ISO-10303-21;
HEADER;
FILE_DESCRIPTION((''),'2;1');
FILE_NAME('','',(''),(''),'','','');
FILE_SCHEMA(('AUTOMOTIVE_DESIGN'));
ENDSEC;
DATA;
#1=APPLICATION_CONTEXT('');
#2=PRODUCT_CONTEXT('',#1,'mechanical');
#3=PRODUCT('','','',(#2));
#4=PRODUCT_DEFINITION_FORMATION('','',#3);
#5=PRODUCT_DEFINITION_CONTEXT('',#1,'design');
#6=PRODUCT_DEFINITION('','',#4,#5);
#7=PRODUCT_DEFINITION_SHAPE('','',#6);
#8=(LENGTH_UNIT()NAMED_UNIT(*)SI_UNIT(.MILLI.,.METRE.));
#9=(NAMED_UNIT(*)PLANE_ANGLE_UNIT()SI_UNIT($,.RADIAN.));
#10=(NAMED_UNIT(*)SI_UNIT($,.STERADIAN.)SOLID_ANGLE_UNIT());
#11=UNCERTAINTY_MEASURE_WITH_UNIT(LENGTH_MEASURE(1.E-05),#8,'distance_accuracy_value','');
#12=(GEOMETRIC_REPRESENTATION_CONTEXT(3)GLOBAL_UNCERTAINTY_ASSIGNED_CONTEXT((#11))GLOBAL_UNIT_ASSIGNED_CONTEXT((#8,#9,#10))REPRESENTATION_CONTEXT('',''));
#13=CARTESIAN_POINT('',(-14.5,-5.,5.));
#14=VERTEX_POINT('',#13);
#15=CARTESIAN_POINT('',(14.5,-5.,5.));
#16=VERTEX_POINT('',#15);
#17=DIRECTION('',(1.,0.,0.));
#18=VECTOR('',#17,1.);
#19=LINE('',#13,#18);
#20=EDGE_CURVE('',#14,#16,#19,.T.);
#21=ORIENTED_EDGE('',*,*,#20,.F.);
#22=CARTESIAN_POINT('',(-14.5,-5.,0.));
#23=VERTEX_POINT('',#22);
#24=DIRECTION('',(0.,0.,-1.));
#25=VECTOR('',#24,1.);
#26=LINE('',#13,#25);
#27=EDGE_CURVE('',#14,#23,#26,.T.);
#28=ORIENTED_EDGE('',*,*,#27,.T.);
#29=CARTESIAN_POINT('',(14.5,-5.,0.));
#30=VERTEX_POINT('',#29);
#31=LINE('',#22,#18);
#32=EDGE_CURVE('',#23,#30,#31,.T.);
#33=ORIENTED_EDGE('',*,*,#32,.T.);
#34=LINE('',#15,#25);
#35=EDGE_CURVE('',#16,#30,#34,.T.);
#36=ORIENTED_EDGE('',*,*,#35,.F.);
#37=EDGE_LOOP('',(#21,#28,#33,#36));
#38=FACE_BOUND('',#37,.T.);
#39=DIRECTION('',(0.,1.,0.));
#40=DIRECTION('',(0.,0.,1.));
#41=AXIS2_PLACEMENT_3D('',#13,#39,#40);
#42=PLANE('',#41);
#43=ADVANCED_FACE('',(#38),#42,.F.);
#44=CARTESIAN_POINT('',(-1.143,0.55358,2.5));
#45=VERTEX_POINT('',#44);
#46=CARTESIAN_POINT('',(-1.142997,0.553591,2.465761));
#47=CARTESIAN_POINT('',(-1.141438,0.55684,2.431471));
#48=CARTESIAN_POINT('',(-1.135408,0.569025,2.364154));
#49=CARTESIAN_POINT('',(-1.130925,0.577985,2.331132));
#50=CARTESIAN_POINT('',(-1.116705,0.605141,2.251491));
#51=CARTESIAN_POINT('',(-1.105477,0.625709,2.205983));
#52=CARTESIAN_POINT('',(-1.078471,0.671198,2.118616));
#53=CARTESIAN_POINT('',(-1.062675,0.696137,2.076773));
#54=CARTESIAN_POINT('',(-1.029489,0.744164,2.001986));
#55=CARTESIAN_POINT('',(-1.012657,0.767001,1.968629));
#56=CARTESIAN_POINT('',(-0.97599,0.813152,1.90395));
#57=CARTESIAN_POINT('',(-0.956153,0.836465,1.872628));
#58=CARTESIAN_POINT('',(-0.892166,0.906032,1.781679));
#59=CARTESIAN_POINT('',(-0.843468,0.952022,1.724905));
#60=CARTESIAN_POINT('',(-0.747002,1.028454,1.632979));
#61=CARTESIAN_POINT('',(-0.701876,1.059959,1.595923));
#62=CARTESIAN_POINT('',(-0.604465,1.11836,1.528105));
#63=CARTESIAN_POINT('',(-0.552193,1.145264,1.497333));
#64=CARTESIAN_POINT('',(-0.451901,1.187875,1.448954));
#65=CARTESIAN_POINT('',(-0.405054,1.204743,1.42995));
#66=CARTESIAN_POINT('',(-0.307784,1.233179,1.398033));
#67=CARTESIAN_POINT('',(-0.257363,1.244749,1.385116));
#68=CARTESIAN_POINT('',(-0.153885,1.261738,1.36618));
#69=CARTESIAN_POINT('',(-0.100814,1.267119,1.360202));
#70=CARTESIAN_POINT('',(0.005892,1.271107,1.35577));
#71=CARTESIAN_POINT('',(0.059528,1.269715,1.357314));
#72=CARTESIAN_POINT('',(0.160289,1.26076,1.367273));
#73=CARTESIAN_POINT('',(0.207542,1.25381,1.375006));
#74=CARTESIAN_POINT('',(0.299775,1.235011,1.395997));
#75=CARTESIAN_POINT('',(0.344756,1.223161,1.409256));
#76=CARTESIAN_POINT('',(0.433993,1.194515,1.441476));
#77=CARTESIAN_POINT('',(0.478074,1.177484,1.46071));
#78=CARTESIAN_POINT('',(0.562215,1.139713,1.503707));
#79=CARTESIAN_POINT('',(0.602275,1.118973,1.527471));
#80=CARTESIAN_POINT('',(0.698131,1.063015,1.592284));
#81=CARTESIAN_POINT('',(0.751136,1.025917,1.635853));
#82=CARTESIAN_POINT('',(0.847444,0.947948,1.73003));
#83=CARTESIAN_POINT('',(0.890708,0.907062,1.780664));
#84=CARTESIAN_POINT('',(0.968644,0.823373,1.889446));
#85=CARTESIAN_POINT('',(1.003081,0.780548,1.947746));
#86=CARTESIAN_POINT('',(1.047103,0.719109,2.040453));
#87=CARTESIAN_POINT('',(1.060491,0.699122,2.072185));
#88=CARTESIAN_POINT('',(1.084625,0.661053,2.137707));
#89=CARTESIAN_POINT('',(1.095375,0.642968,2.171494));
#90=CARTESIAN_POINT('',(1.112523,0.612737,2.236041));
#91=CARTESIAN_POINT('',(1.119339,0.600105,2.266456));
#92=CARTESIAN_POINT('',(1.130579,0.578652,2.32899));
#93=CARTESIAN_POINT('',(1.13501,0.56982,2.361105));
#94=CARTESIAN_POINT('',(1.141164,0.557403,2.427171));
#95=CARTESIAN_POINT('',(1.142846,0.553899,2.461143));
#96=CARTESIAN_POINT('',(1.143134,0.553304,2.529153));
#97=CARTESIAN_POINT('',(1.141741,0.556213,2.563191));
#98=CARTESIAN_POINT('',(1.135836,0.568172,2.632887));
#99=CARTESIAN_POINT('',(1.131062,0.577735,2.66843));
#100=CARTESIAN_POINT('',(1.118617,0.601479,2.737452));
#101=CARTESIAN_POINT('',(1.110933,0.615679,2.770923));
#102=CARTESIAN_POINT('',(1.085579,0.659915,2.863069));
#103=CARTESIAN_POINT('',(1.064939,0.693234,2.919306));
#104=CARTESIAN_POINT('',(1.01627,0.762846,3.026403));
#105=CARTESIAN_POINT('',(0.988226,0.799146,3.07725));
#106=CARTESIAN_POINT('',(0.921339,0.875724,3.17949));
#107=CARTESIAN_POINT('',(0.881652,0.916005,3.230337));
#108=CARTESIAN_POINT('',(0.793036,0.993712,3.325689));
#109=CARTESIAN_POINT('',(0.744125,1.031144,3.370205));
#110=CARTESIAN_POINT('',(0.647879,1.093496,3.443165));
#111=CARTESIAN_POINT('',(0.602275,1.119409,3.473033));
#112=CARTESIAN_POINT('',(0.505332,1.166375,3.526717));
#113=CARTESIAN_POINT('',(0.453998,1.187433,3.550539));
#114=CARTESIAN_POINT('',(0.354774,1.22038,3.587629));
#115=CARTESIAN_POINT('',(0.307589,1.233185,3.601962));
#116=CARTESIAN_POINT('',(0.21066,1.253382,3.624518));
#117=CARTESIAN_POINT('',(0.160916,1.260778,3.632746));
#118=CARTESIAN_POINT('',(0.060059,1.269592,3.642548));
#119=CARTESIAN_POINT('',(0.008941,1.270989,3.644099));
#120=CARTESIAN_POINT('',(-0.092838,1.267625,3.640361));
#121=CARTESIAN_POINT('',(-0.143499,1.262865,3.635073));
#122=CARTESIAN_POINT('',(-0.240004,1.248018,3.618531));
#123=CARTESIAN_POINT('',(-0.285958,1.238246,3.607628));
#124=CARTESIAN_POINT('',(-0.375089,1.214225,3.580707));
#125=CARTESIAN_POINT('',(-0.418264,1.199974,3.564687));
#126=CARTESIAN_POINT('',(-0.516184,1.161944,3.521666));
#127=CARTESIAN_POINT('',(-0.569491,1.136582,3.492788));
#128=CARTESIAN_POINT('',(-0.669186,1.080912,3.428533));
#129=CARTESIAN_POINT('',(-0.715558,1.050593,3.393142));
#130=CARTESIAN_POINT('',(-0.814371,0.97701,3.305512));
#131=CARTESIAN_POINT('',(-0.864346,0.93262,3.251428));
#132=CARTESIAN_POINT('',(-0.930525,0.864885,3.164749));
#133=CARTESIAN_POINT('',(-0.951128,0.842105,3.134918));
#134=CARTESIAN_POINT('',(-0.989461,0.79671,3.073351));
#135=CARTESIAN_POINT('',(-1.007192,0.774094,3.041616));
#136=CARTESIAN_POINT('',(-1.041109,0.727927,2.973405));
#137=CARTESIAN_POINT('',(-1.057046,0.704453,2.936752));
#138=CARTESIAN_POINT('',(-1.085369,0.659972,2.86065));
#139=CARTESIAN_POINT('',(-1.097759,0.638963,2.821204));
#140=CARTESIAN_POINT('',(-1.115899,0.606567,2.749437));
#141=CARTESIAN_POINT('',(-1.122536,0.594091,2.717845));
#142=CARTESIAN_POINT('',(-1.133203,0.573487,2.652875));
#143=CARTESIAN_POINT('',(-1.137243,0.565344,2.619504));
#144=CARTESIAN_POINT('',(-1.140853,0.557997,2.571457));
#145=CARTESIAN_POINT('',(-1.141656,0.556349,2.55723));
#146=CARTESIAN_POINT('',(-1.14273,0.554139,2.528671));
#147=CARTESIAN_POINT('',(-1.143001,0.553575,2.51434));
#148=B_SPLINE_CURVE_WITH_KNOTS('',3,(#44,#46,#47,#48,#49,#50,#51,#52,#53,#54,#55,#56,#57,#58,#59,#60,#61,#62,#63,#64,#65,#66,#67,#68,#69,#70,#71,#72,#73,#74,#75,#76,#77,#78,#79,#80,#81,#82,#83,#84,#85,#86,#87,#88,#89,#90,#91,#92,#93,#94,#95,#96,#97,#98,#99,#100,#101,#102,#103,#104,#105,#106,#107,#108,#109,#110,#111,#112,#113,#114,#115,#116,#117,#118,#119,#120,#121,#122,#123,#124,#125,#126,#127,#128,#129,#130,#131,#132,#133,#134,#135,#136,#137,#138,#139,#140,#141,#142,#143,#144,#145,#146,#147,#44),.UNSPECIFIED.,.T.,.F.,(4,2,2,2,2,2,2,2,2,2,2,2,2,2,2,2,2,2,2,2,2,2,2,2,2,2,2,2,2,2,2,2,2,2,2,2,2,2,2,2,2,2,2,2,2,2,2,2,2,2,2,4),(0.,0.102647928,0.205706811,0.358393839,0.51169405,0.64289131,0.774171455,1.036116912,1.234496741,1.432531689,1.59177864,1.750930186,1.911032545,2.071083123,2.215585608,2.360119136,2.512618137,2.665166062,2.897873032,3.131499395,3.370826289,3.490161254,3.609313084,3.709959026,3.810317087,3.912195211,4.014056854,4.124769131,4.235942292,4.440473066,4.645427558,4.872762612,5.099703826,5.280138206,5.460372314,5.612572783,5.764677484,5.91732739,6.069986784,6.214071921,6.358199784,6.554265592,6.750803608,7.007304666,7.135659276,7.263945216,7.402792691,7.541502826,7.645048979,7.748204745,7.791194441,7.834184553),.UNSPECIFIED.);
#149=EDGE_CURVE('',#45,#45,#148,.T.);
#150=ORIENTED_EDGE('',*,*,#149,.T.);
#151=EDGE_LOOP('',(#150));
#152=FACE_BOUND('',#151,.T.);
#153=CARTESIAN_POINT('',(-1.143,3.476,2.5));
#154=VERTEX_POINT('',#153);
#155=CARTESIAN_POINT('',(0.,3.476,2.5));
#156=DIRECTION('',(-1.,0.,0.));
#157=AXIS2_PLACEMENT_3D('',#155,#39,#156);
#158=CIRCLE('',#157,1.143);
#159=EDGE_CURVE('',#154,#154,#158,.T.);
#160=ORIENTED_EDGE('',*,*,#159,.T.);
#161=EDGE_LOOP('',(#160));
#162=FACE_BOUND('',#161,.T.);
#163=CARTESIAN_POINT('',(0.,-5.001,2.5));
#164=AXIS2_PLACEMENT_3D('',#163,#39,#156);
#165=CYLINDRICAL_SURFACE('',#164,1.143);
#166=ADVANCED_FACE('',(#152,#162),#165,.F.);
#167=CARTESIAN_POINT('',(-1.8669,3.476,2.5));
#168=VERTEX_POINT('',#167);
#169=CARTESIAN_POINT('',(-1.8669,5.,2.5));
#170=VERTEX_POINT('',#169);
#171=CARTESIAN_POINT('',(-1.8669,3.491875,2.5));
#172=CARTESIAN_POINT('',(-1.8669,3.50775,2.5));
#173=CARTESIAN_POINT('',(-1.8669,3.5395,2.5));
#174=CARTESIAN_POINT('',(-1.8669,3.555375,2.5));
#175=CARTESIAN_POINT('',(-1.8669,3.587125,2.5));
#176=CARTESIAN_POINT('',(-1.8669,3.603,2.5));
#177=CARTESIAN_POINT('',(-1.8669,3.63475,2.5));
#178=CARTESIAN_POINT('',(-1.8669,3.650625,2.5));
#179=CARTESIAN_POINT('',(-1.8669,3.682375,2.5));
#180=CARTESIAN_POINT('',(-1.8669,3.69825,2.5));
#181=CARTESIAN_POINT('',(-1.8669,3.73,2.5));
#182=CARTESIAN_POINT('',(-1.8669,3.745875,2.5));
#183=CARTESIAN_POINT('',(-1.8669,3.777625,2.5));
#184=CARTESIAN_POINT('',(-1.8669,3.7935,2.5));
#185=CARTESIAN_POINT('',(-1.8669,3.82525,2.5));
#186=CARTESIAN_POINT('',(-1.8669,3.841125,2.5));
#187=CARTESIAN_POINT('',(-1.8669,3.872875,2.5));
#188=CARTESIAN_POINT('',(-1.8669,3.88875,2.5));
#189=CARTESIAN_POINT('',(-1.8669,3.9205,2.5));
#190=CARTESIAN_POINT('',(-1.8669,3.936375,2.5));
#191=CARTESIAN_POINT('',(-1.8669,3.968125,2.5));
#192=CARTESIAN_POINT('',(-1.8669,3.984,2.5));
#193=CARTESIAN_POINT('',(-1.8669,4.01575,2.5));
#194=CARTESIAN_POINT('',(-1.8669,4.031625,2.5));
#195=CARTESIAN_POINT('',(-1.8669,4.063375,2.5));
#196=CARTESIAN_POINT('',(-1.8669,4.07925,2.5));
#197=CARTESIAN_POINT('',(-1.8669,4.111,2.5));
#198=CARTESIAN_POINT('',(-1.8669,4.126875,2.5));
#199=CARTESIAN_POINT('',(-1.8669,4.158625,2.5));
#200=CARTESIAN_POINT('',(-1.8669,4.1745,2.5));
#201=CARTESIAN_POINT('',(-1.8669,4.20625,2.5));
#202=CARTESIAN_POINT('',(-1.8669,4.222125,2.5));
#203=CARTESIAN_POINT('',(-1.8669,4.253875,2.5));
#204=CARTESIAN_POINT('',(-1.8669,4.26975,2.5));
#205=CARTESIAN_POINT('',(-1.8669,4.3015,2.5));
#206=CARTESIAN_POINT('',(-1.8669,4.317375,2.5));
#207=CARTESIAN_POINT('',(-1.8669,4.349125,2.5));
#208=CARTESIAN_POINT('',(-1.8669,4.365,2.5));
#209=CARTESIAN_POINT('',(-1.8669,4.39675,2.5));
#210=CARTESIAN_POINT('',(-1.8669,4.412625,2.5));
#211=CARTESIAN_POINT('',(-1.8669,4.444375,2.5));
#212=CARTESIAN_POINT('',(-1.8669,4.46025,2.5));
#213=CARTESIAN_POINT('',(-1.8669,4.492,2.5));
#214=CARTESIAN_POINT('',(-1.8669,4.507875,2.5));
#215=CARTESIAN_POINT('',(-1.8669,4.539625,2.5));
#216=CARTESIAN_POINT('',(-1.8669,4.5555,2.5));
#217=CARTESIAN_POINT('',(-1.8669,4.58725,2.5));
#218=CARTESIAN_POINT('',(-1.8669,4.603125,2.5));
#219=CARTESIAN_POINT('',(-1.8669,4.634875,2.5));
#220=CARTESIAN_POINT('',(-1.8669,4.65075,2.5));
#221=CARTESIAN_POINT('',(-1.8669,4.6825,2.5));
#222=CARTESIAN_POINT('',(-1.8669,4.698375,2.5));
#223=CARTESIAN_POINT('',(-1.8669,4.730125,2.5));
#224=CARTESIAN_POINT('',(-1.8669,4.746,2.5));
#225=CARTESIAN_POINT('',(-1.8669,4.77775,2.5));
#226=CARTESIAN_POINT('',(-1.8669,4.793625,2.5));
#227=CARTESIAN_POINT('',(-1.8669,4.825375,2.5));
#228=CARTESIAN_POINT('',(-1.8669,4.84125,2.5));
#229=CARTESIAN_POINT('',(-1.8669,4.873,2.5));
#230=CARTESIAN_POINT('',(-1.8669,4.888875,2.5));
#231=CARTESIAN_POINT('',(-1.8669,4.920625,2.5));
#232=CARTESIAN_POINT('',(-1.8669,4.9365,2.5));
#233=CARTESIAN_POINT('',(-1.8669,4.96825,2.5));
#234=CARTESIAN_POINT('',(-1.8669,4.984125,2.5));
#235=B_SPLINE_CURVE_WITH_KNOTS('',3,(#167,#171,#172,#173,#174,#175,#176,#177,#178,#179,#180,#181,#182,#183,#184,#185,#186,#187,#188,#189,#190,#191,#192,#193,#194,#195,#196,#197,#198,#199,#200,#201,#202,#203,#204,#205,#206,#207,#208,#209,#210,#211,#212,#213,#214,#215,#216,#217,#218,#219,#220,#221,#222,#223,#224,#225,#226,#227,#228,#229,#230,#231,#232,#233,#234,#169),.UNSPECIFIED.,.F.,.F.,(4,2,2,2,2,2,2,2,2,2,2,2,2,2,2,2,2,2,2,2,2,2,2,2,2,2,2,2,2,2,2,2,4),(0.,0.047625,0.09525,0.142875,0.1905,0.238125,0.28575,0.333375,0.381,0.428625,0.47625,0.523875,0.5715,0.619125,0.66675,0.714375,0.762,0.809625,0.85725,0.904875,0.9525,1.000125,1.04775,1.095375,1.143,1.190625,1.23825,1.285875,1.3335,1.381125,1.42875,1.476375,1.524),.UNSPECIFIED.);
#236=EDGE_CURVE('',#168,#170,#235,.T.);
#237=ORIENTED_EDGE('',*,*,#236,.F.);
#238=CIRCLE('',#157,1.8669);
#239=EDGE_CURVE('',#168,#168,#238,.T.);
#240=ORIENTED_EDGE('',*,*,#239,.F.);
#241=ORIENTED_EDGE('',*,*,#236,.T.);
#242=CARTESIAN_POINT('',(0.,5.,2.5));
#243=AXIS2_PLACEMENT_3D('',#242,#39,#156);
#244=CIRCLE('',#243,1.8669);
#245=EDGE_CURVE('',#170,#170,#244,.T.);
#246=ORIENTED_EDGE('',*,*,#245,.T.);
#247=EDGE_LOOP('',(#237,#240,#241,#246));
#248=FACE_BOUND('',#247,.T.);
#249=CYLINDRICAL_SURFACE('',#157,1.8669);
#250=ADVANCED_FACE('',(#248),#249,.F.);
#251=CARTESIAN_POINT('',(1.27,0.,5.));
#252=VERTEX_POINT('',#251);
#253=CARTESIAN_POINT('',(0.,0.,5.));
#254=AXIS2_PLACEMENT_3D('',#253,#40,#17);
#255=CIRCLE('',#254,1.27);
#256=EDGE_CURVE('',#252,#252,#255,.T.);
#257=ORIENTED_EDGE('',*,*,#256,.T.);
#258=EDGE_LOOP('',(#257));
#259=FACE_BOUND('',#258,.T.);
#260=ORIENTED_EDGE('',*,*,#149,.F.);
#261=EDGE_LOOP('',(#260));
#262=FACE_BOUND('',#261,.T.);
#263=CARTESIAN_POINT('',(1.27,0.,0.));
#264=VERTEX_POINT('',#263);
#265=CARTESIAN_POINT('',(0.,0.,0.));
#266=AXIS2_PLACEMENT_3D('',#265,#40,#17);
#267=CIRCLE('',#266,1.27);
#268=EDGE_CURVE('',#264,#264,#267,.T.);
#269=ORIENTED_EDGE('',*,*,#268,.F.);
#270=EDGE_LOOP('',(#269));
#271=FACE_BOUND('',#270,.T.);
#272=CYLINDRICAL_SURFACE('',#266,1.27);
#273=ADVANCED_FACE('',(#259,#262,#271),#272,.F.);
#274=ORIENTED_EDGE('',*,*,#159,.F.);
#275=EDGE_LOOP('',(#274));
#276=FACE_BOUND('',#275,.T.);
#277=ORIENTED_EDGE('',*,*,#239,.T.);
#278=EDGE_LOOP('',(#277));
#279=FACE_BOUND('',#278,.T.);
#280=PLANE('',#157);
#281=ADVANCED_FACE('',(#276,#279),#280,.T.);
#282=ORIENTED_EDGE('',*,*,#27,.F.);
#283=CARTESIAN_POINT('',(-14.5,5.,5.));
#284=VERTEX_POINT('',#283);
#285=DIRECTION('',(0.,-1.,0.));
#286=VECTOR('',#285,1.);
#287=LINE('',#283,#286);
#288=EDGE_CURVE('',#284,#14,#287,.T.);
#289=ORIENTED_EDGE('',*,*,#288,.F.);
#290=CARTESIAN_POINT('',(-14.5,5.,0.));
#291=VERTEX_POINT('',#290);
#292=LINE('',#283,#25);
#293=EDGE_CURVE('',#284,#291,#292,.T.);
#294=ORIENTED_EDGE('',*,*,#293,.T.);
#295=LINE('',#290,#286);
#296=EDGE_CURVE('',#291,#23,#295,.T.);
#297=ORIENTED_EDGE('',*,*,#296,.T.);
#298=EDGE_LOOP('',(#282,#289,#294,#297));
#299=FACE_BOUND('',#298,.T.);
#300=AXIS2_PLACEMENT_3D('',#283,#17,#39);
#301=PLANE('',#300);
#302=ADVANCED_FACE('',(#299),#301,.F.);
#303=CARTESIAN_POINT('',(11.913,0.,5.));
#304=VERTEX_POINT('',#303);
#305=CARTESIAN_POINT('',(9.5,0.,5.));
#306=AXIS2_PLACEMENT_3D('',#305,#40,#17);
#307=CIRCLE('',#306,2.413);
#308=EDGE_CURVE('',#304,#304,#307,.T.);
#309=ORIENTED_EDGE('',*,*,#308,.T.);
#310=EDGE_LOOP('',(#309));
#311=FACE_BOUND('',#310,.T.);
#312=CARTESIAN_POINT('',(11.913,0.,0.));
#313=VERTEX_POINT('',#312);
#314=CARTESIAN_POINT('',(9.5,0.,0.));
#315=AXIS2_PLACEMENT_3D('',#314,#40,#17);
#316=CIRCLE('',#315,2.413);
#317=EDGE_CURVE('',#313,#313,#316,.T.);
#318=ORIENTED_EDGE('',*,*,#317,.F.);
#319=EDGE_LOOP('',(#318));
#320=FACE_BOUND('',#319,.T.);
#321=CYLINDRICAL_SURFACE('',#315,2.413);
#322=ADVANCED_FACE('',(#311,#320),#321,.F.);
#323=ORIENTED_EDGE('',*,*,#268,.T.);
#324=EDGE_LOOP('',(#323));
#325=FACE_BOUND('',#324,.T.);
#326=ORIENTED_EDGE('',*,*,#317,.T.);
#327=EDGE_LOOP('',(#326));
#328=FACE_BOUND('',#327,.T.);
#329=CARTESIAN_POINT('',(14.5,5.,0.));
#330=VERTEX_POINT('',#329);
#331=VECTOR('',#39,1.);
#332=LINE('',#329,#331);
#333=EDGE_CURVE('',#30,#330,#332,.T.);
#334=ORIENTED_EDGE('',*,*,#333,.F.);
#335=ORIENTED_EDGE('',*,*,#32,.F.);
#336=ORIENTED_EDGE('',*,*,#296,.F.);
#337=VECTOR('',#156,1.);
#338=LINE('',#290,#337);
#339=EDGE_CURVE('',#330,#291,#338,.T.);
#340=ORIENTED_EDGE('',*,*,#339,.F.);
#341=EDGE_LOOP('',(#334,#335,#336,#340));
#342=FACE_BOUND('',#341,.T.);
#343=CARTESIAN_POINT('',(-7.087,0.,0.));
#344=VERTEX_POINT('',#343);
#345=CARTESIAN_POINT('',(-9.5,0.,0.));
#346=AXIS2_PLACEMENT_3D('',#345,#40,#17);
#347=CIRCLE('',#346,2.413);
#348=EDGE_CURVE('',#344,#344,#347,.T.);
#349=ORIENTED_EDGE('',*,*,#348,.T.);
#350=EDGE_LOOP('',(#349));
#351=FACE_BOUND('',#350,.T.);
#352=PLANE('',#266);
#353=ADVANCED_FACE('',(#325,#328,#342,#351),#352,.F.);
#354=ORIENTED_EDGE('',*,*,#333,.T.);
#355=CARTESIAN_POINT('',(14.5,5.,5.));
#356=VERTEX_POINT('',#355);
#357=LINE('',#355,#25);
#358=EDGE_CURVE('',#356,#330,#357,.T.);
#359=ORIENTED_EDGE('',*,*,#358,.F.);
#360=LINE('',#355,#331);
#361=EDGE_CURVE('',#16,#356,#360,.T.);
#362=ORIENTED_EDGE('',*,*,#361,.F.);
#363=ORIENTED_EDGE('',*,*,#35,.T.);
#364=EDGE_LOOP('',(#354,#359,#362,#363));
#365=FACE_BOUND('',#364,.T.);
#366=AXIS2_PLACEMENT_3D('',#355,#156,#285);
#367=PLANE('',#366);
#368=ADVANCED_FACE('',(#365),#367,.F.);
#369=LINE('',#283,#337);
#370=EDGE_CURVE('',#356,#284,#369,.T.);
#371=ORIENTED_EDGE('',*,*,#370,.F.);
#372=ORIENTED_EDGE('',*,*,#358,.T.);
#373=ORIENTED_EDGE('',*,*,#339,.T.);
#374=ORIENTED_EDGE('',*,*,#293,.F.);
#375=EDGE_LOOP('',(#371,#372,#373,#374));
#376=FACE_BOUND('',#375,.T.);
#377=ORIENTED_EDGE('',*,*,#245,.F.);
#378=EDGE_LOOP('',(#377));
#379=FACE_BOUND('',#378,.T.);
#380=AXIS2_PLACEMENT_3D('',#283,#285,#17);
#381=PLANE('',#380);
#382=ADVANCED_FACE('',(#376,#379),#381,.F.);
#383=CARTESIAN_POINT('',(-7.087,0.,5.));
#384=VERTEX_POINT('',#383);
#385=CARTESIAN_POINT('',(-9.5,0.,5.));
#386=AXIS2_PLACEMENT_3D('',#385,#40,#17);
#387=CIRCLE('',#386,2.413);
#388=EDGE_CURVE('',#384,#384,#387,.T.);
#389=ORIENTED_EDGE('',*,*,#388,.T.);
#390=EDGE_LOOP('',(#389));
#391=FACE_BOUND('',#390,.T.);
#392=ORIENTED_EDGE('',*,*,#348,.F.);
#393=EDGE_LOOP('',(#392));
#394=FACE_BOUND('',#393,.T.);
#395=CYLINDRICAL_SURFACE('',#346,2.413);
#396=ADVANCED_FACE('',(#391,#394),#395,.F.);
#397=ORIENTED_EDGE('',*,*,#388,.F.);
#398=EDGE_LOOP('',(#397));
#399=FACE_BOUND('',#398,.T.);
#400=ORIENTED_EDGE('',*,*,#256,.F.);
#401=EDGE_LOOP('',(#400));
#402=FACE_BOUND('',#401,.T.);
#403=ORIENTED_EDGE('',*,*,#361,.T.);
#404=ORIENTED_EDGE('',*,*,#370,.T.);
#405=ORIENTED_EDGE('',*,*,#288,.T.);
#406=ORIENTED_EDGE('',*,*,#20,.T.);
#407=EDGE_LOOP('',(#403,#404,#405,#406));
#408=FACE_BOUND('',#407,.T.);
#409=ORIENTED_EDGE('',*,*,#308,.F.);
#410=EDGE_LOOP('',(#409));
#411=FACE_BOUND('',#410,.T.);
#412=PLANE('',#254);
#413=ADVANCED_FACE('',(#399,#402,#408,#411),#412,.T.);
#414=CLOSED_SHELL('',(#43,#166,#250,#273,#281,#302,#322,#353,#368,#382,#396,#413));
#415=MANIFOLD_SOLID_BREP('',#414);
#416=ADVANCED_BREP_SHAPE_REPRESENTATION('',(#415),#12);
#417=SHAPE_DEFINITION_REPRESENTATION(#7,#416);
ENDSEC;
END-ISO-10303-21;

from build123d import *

# Parameters (mm, degrees)
SKETCH1_W               = 29
SKETCH1_H               = 10
BOSS_EXTRUDE1_DEPTH     = 5
SKETCH2_R               = 2.413
CUT_EXTRUDE1_DEPTH      = 17.132265805
SKETCH3_R               = 1.27
CUT_EXTRUDE2_DEPTH      = 17.132265805
SKETCH4_R               = 1.8669
CUT_EXTRUDE3_DEPTH      = 1.524
CUT_EXTRUDE4_REACH      = 19.524
CUT_EXTRUDE4_END_RADIUS = 1.27
SKETCH5_R               = 1.143


with BuildPart() as part:
    # Sketch1 → Boss-Extrude1 (new body)
    with BuildSketch(Plane.XY):
        Rectangle(SKETCH1_W, SKETCH1_H)
    extrude(amount=BOSS_EXTRUDE1_DEPTH)

    # Sketch2 → Cut-Extrude1 (cut, through all)
    with BuildSketch(Plane.XY.offset(5)):
        with Locations((-9.5, 0)):
            Circle(SKETCH2_R)
        with Locations((9.5, 0)):
            Circle(SKETCH2_R)
    extrude(amount=-CUT_EXTRUDE1_DEPTH, mode=Mode.SUBTRACT)

    # Sketch3 → Cut-Extrude2 (cut, through all)
    with BuildSketch(Plane.XY.offset(5)):
        Circle(SKETCH3_R)
    extrude(amount=-CUT_EXTRUDE2_DEPTH, mode=Mode.SUBTRACT)

    # Sketch4 → Cut-Extrude3 (cut)
    with BuildSketch(Plane(origin=(0, 5, 0), x_dir=(1, 0, 0), z_dir=(0, 1, 0))):
        with Locations(Location((0, -2.5, 0), (0, 0, 180))):
            Circle(SKETCH4_R)
    extrude(amount=-CUT_EXTRUDE3_DEPTH, mode=Mode.SUBTRACT)

    # Cut-Extrude4: up to this cylinder (the profile starts outside it)
    cut_extrude4_end = Plane(origin=(0, 0, 2.5), z_dir=(0, 0, 1)) * Cylinder(CUT_EXTRUDE4_END_RADIUS, 42.588, mode=Mode.PRIVATE)
    # Sketch5 → Cut-Extrude4 (cut, up to the surface)
    with BuildSketch(Plane(origin=(0, 3.476, 0), x_dir=(1, 0, 0), z_dir=(0, 1, 0)), mode=Mode.PRIVATE) as cut_extrude4_sk1:
        with Locations(Location((0, -2.5, 0), (0, 0, 180))):
            Circle(SKETCH5_R)
    cut_extrude4_tool1 = extrude(cut_extrude4_sk1.sketch, amount=-CUT_EXTRUDE4_REACH, mode=Mode.PRIVATE) - cut_extrude4_end
    add(cut_extrude4_tool1.solids().sort_by_distance((0, 3.476, 2.5))[0], mode=Mode.SUBTRACT)


solid = part.part
